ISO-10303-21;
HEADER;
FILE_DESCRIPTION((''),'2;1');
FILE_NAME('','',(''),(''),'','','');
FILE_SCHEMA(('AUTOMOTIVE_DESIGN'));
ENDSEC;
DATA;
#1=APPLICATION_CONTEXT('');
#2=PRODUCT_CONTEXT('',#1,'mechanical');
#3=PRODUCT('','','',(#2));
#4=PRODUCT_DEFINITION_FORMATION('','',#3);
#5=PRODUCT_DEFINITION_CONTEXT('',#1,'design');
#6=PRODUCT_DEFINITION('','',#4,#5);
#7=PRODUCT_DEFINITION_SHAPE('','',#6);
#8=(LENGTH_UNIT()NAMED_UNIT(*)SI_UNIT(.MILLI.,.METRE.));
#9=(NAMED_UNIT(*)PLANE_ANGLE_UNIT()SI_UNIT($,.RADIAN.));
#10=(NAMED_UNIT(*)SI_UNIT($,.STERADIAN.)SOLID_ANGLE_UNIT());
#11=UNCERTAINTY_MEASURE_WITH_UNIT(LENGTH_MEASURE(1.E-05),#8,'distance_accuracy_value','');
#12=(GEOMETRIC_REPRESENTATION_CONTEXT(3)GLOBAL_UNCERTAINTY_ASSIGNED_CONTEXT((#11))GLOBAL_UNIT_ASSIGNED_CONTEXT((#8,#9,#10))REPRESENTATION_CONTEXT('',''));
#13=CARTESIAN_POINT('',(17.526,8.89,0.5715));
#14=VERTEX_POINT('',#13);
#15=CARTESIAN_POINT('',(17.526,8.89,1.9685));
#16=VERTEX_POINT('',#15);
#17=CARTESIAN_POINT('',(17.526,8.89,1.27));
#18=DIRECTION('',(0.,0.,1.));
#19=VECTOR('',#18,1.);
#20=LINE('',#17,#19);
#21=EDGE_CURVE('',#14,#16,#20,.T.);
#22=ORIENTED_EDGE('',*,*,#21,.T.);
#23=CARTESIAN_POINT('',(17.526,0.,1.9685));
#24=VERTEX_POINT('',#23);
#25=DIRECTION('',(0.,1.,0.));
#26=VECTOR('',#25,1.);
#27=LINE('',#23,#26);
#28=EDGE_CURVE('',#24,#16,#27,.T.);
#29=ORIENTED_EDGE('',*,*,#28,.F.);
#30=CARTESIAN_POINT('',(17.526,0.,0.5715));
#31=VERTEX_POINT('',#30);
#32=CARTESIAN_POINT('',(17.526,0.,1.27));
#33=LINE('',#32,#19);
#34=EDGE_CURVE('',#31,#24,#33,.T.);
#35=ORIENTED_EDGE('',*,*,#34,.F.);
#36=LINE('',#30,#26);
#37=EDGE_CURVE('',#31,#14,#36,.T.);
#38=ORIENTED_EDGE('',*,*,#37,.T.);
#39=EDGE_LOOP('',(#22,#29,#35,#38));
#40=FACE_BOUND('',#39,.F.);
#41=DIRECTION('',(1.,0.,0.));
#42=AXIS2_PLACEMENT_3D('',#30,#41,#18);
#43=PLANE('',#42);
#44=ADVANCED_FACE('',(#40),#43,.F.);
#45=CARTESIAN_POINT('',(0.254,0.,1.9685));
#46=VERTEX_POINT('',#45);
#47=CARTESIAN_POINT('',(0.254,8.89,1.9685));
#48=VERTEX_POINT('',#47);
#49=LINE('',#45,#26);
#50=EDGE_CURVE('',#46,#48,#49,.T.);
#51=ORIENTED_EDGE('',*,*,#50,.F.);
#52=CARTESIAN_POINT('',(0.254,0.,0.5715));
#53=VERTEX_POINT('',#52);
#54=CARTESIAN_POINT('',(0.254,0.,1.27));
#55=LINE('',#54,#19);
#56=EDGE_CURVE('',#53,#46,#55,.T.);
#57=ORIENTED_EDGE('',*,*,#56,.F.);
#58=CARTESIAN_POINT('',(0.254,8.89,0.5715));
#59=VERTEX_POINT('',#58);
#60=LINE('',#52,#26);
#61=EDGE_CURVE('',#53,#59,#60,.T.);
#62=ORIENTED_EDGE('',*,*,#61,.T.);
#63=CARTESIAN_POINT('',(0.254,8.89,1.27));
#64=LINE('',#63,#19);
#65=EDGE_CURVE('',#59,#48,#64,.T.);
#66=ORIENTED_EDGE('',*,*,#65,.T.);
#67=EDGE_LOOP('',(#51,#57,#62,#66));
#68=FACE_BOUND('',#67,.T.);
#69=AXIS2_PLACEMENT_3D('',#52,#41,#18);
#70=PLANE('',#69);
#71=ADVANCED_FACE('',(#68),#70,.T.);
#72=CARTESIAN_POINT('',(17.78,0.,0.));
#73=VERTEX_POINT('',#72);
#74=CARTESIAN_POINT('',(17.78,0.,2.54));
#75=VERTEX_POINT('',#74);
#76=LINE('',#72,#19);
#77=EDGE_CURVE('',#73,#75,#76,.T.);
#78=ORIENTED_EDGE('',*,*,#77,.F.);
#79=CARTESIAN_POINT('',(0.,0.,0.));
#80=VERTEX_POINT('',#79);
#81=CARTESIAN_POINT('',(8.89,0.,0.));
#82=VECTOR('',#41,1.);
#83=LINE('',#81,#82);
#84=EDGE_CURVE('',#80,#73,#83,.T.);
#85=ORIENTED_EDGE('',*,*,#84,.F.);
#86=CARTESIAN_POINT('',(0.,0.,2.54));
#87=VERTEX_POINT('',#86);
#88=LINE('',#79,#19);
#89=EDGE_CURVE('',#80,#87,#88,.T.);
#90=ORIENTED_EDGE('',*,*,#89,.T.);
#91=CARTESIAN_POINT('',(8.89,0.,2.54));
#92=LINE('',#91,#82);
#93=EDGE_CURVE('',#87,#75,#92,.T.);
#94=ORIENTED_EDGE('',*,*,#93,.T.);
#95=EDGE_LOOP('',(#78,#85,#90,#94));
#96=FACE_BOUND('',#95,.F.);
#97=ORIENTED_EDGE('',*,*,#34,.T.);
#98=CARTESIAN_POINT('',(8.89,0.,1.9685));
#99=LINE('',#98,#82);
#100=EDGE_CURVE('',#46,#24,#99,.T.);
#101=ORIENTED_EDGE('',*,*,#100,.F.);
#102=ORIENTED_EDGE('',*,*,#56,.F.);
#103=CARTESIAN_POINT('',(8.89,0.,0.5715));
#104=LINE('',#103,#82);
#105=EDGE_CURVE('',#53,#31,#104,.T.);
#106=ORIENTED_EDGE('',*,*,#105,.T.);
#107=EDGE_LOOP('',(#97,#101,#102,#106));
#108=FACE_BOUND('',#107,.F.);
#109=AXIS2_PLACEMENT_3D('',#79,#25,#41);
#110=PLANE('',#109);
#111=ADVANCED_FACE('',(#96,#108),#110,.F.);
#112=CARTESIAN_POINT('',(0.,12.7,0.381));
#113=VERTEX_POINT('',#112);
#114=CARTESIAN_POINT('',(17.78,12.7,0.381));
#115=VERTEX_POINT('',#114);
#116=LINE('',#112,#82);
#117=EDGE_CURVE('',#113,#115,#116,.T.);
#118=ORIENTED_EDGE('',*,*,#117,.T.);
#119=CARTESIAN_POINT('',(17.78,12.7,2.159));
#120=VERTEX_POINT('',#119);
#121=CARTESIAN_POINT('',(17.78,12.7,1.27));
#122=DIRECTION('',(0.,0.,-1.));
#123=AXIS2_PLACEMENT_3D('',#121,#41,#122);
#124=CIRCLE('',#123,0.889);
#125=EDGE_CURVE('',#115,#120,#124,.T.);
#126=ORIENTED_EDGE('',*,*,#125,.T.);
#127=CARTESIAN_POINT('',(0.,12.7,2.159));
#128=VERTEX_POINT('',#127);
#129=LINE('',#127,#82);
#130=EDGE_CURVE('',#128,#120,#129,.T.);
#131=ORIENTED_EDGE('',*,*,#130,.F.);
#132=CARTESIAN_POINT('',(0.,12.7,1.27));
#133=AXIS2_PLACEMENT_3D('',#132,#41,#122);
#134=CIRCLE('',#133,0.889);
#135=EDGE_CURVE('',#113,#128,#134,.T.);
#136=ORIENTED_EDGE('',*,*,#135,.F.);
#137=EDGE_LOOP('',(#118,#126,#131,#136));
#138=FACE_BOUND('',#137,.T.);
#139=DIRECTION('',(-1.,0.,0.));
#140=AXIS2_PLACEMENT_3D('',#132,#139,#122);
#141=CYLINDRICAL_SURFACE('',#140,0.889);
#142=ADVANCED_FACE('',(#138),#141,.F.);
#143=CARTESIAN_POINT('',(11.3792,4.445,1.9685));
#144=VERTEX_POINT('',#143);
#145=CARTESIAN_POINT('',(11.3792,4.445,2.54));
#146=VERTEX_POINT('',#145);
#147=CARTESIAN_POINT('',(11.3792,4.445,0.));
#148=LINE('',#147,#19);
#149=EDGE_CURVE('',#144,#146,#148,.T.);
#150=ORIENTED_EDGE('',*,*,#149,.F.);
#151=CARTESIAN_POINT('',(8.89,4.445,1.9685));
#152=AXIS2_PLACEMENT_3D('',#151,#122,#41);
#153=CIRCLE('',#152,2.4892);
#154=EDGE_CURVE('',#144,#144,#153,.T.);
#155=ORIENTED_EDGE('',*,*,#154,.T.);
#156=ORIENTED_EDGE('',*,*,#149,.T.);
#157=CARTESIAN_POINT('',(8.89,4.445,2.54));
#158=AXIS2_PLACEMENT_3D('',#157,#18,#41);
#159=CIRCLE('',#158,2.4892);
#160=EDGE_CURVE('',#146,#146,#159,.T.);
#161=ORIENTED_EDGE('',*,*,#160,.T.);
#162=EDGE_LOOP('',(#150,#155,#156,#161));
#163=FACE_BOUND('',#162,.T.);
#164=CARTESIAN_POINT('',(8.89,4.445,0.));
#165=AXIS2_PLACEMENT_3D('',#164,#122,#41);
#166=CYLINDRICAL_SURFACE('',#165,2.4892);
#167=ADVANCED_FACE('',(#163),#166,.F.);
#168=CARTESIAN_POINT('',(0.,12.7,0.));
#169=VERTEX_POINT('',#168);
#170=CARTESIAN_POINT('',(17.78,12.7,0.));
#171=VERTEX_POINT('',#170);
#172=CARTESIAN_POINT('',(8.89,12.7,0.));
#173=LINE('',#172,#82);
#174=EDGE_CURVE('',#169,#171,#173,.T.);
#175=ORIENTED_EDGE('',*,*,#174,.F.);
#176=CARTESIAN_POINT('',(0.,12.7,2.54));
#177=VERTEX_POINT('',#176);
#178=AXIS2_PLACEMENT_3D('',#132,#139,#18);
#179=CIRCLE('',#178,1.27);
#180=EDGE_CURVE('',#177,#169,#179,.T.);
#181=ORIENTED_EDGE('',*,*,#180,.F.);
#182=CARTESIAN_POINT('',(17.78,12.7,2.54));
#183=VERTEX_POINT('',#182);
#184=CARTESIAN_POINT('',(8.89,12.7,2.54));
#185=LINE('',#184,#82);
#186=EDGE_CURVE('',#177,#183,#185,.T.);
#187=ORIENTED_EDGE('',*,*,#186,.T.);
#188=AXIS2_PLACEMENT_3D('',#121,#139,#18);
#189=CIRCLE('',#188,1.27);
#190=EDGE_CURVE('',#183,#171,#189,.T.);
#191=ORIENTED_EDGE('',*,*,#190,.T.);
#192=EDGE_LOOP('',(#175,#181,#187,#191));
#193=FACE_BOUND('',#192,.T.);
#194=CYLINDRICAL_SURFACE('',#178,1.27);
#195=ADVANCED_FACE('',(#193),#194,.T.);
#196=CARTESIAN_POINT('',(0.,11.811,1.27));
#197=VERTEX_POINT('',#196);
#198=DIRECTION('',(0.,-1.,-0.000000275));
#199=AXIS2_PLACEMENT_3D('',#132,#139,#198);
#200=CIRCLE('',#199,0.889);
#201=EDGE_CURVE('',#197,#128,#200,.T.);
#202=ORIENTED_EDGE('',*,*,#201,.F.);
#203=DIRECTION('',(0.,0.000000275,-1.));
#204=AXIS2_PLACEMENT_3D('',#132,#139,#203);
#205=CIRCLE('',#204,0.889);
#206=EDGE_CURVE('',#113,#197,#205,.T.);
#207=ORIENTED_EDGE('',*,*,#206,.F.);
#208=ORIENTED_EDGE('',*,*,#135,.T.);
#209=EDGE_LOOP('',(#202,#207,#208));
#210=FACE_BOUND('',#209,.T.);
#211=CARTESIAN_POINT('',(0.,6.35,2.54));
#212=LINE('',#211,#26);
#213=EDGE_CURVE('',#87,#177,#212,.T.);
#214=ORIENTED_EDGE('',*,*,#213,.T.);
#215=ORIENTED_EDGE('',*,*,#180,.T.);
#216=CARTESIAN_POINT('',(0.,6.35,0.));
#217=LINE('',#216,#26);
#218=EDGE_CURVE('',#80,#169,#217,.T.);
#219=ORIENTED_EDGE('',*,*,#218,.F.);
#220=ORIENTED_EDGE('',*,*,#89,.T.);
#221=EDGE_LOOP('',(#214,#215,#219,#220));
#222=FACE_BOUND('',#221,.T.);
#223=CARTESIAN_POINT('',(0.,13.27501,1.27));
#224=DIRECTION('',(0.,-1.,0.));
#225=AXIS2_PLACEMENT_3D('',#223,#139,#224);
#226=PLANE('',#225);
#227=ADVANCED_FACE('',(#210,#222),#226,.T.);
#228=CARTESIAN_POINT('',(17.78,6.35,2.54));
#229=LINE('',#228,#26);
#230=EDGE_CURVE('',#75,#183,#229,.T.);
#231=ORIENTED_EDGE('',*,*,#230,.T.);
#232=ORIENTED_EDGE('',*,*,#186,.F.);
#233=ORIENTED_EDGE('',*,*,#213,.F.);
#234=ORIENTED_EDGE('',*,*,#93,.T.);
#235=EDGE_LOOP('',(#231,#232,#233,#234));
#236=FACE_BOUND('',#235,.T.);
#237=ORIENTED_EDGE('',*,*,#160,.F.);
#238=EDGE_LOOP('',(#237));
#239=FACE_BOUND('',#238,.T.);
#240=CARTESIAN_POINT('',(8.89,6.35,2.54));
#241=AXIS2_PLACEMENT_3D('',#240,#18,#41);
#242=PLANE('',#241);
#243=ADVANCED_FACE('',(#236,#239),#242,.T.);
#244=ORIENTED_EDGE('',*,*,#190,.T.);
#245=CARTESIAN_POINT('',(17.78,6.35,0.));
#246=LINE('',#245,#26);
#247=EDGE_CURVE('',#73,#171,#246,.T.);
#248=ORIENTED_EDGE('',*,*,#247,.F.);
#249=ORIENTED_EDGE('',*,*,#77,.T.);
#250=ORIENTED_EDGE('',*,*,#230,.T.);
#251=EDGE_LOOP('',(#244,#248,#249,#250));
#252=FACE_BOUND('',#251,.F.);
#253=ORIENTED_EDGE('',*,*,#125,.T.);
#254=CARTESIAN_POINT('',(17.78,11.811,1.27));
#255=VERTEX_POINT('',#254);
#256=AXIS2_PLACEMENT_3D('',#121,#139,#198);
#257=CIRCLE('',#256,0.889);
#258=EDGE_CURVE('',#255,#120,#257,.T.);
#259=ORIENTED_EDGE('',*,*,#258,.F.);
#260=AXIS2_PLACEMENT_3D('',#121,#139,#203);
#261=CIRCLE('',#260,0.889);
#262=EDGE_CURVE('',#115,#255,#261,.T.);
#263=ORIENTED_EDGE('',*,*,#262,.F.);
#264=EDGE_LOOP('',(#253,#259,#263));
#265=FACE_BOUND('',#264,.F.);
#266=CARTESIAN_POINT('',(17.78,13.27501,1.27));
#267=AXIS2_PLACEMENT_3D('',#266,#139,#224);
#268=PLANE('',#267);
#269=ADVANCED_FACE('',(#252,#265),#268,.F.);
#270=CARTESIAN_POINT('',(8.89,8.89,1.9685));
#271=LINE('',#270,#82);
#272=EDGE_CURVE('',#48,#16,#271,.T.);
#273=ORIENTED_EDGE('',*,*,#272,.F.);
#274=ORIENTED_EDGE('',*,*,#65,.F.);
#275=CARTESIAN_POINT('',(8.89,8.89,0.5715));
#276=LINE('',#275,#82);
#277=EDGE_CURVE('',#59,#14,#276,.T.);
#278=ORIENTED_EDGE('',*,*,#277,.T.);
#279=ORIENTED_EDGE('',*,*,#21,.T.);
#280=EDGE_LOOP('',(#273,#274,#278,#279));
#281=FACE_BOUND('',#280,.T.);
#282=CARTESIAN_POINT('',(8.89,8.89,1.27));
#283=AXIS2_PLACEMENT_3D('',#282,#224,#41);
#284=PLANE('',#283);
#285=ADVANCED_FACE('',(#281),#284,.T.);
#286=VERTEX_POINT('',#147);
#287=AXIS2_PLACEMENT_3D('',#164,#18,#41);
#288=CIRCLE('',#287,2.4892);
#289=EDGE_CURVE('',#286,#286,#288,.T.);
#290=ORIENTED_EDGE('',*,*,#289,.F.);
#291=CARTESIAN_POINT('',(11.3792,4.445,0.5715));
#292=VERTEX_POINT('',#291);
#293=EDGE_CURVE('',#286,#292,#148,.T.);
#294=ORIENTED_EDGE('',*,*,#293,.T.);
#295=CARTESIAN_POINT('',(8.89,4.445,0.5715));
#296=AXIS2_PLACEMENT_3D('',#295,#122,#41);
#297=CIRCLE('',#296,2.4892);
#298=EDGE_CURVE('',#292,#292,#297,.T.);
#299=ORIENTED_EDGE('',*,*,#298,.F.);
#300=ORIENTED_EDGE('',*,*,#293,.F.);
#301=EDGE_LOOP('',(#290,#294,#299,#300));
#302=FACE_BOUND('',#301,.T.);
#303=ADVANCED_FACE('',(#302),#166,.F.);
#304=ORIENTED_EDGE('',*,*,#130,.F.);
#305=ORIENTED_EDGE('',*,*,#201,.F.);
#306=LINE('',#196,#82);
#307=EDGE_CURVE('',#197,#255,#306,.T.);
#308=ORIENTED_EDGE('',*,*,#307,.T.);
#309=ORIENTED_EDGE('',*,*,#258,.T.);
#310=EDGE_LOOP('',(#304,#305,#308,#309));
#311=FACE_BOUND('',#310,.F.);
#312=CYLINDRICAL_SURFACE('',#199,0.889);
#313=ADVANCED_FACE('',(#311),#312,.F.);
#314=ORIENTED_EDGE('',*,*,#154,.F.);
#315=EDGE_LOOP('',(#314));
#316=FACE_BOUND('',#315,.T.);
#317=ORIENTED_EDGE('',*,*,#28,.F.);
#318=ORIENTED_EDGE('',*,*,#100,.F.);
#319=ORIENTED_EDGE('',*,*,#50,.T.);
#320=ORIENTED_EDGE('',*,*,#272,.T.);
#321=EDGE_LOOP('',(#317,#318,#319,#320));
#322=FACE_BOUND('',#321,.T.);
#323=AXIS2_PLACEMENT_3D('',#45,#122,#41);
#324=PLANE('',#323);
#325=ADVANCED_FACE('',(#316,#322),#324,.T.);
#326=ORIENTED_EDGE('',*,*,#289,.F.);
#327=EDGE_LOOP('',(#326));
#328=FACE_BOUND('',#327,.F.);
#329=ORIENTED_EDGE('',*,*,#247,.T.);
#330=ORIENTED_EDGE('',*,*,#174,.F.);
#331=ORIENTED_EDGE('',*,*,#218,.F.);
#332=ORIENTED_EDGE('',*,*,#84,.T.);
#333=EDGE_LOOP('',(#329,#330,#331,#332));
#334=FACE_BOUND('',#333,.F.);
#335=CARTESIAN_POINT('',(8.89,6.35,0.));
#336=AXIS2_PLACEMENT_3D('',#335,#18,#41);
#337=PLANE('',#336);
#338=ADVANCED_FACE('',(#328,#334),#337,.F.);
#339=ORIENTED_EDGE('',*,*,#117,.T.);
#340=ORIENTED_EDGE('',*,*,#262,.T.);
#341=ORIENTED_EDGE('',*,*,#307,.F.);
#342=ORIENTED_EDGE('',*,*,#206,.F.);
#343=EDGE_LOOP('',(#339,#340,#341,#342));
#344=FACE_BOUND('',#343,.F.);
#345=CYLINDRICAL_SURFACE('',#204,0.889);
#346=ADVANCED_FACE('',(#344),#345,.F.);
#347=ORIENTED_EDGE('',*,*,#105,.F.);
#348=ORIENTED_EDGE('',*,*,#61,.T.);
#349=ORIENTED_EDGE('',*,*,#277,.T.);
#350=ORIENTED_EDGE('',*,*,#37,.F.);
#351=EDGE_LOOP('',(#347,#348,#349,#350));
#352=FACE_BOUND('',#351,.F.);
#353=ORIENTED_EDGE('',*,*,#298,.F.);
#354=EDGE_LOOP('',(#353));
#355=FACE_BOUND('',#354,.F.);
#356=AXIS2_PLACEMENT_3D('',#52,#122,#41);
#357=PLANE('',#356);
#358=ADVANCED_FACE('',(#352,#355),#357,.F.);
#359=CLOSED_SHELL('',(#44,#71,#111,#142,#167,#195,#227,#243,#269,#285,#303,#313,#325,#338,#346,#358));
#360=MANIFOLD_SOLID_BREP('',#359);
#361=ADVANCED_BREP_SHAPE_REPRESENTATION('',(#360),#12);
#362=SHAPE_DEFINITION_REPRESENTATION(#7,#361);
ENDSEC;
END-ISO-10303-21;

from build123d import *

# Parameters (mm, degrees)
F0_W     = 17.78
F0_H     = 12.7
F0_R     = 2.4892
F1_DEPTH = 2.54
F2_W     = 17.272
F2_H     = 1.397
F3_DEPTH = 8.89
F5_DEPTH = 17.78
F6_DEPTH = 25.4


with BuildPart() as f1:
    # F0 (on Top) → F1 (new body)
    with BuildSketch(Plane.XY):
        with Locations((8.89, 6.35)):
            Rectangle(F0_W, F0_H)
        with Locations((8.89, 4.445)):
            Circle(F0_R, mode=Mode.SUBTRACT)
    extrude(amount=F1_DEPTH)

    # F2 (on face) → F3 (cut)
    with BuildSketch(Plane.XZ):
        with Locations((8.89, 1.27)):
            Rectangle(F2_W, F2_H)
    extrude(amount=-F3_DEPTH, mode=Mode.SUBTRACT)

    # F4 (on face) → F5 (join)
    with BuildSketch(Plane(origin=(0, 0, 0), x_dir=(0, -1, 0), z_dir=(-1, 0, 0))):
        with BuildLine():
            Line((-12.7, 2.159), (-12.7, 2.54))
            ThreePointArc((-12.7, 2.54), (-13.97, 1.27), (-12.7, 0))
            Line((-12.7, 0), (-12.7, 0.381))
            ThreePointArc((-12.7, 0.381), (-13.589, 1.27), (-12.7, 2.159))
        make_face()
    extrude(amount=-F5_DEPTH)

    # F4 (on face) → F6 (cut)
    with BuildSketch(Plane(origin=(0, 0, 0), x_dir=(0, -1, 0), z_dir=(-1, 0, 0))):
        with BuildLine():
            ThreePointArc((-11.811, 1.27), (-12.071382, 1.898618), (-12.7, 2.159))
            Line((-12.7, 2.159), (-12.7, 0.381))
            ThreePointArc((-12.7, 0.381), (-12.071382, 0.641382), (-11.811, 1.27))
        make_face()
    extrude(amount=-F6_DEPTH, mode=Mode.SUBTRACT)


solid = f1.part
